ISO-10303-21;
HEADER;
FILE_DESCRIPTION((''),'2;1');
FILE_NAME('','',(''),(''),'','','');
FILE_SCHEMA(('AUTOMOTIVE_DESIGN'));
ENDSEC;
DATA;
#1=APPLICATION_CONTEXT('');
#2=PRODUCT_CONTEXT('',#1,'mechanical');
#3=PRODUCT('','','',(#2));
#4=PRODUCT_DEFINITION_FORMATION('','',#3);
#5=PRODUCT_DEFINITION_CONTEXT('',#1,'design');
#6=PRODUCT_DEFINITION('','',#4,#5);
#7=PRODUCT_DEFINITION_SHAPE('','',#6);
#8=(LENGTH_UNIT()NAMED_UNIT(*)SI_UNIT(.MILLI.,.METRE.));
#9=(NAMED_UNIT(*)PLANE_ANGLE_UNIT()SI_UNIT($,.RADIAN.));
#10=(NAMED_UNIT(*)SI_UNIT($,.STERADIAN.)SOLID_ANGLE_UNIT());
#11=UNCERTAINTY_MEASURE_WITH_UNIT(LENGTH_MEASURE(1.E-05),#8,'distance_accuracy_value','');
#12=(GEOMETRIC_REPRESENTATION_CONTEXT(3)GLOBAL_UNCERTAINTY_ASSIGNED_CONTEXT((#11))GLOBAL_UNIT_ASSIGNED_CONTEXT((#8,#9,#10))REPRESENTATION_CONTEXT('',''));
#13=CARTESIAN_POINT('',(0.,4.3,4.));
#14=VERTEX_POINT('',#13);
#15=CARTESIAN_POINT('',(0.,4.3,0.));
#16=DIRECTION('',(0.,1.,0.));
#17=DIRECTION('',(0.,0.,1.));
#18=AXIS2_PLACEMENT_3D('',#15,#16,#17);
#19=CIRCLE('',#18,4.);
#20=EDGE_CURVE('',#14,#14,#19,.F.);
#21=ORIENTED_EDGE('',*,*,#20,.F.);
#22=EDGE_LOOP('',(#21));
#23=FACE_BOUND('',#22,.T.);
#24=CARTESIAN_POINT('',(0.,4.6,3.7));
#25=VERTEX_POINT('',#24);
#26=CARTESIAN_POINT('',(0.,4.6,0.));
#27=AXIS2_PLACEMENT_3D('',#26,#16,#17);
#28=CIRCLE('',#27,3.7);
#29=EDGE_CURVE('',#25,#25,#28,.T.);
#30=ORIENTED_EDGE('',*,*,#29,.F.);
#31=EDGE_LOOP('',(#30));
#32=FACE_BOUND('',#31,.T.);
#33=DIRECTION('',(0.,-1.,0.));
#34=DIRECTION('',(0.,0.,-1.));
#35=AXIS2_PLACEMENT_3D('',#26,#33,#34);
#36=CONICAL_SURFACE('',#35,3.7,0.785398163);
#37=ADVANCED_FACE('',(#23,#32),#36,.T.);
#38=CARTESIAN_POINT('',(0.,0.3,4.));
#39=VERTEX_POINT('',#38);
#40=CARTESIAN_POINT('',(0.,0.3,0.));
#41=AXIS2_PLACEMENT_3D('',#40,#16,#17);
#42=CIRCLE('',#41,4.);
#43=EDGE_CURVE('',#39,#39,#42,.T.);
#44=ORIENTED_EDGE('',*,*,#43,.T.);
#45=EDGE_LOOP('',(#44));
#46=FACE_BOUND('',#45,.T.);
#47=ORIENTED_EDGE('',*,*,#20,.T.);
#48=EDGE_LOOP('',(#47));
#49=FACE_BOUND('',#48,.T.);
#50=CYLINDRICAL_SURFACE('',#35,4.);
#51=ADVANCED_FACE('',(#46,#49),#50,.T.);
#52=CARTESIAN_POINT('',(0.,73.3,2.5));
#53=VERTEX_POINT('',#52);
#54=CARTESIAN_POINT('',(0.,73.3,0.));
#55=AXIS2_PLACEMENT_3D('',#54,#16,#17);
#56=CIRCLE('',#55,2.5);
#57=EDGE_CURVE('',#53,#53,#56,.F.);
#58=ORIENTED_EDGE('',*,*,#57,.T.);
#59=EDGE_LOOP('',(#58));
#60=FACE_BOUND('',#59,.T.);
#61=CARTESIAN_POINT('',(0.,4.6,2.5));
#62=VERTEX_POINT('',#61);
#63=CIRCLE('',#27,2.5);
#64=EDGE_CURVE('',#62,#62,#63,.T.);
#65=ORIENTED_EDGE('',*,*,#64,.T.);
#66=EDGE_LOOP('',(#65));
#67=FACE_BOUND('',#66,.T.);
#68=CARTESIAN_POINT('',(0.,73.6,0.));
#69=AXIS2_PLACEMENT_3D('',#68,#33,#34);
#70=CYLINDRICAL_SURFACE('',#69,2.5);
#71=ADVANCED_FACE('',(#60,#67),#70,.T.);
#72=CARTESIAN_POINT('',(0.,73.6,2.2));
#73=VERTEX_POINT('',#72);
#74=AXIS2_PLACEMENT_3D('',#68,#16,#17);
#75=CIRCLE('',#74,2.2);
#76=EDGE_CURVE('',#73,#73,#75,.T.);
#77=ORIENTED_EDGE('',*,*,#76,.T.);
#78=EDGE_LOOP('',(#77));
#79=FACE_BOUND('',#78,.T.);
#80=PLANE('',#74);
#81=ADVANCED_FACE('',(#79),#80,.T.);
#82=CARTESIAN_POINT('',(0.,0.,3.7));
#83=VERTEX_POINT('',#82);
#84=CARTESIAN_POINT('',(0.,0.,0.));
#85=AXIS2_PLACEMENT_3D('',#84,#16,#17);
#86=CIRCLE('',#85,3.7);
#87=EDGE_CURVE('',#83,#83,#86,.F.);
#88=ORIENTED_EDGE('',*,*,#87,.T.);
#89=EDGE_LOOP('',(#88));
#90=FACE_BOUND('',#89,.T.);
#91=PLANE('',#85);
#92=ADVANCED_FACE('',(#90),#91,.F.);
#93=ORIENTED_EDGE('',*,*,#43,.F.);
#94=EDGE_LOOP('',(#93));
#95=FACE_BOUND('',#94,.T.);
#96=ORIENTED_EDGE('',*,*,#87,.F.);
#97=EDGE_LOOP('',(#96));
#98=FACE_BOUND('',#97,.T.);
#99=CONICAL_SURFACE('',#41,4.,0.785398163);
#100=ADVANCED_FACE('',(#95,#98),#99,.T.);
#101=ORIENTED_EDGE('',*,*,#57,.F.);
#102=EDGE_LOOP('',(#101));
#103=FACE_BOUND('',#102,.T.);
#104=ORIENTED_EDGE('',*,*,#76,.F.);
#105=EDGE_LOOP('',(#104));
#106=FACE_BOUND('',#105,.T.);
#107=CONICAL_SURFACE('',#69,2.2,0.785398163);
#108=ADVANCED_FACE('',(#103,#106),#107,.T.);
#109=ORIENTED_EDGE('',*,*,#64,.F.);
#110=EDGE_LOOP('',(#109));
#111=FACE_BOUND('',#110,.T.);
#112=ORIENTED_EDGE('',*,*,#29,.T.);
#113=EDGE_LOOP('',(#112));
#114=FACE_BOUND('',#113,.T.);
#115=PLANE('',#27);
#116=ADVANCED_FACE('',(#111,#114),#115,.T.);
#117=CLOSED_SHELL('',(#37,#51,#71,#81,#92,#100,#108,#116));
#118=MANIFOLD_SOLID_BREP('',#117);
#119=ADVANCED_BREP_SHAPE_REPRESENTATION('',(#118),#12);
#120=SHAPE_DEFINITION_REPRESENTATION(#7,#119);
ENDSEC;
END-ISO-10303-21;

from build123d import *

# Parameters (mm, degrees)
SKETCH1_R           = 4
BOSS_EXTRUDE1_DEPTH = 4.6
SKETCH2_R           = 2.5
BOSS_EXTRUDE2_DEPTH = 69
CHAMFER1_SIZE       = 0.3
CHAMFER2_SIZE       = 0.3


with BuildPart() as part:
    # Sketch1 → Boss-Extrude1 (new body)
    with BuildSketch(Plane(origin=(0, 0, 0), x_dir=(1, 0, 0), z_dir=(0, 1, 0))):
        with Locations(Location((0, 0, 0), (0, 0, 270))):
            Circle(SKETCH1_R)
    extrude(amount=BOSS_EXTRUDE1_DEPTH)

    # Sketch2 → Boss-Extrude2 (add)
    with BuildSketch(Plane(origin=(0, 4.6, 0), x_dir=(1, 0, 0), z_dir=(0, 1, 0))):
        with Locations(Location((0, 0, 0), (0, 0, 270))):
            Circle(SKETCH2_R)
    extrude(amount=BOSS_EXTRUDE2_DEPTH)

    # Chamfer1
    chamfer1_edges = [part.edges().sort_by_distance(p)[0] for p in [
        (0, 0, -4),
        (0, 4.6, -4),
    ]]
    chamfer(chamfer1_edges, length=CHAMFER1_SIZE)

    # Chamfer2
    chamfer2_edges = [part.edges().sort_by_distance(p)[0] for p in [
        (0, 73.6, -2.5),
    ]]
    chamfer(chamfer2_edges, length=CHAMFER2_SIZE)


solid = part.part
